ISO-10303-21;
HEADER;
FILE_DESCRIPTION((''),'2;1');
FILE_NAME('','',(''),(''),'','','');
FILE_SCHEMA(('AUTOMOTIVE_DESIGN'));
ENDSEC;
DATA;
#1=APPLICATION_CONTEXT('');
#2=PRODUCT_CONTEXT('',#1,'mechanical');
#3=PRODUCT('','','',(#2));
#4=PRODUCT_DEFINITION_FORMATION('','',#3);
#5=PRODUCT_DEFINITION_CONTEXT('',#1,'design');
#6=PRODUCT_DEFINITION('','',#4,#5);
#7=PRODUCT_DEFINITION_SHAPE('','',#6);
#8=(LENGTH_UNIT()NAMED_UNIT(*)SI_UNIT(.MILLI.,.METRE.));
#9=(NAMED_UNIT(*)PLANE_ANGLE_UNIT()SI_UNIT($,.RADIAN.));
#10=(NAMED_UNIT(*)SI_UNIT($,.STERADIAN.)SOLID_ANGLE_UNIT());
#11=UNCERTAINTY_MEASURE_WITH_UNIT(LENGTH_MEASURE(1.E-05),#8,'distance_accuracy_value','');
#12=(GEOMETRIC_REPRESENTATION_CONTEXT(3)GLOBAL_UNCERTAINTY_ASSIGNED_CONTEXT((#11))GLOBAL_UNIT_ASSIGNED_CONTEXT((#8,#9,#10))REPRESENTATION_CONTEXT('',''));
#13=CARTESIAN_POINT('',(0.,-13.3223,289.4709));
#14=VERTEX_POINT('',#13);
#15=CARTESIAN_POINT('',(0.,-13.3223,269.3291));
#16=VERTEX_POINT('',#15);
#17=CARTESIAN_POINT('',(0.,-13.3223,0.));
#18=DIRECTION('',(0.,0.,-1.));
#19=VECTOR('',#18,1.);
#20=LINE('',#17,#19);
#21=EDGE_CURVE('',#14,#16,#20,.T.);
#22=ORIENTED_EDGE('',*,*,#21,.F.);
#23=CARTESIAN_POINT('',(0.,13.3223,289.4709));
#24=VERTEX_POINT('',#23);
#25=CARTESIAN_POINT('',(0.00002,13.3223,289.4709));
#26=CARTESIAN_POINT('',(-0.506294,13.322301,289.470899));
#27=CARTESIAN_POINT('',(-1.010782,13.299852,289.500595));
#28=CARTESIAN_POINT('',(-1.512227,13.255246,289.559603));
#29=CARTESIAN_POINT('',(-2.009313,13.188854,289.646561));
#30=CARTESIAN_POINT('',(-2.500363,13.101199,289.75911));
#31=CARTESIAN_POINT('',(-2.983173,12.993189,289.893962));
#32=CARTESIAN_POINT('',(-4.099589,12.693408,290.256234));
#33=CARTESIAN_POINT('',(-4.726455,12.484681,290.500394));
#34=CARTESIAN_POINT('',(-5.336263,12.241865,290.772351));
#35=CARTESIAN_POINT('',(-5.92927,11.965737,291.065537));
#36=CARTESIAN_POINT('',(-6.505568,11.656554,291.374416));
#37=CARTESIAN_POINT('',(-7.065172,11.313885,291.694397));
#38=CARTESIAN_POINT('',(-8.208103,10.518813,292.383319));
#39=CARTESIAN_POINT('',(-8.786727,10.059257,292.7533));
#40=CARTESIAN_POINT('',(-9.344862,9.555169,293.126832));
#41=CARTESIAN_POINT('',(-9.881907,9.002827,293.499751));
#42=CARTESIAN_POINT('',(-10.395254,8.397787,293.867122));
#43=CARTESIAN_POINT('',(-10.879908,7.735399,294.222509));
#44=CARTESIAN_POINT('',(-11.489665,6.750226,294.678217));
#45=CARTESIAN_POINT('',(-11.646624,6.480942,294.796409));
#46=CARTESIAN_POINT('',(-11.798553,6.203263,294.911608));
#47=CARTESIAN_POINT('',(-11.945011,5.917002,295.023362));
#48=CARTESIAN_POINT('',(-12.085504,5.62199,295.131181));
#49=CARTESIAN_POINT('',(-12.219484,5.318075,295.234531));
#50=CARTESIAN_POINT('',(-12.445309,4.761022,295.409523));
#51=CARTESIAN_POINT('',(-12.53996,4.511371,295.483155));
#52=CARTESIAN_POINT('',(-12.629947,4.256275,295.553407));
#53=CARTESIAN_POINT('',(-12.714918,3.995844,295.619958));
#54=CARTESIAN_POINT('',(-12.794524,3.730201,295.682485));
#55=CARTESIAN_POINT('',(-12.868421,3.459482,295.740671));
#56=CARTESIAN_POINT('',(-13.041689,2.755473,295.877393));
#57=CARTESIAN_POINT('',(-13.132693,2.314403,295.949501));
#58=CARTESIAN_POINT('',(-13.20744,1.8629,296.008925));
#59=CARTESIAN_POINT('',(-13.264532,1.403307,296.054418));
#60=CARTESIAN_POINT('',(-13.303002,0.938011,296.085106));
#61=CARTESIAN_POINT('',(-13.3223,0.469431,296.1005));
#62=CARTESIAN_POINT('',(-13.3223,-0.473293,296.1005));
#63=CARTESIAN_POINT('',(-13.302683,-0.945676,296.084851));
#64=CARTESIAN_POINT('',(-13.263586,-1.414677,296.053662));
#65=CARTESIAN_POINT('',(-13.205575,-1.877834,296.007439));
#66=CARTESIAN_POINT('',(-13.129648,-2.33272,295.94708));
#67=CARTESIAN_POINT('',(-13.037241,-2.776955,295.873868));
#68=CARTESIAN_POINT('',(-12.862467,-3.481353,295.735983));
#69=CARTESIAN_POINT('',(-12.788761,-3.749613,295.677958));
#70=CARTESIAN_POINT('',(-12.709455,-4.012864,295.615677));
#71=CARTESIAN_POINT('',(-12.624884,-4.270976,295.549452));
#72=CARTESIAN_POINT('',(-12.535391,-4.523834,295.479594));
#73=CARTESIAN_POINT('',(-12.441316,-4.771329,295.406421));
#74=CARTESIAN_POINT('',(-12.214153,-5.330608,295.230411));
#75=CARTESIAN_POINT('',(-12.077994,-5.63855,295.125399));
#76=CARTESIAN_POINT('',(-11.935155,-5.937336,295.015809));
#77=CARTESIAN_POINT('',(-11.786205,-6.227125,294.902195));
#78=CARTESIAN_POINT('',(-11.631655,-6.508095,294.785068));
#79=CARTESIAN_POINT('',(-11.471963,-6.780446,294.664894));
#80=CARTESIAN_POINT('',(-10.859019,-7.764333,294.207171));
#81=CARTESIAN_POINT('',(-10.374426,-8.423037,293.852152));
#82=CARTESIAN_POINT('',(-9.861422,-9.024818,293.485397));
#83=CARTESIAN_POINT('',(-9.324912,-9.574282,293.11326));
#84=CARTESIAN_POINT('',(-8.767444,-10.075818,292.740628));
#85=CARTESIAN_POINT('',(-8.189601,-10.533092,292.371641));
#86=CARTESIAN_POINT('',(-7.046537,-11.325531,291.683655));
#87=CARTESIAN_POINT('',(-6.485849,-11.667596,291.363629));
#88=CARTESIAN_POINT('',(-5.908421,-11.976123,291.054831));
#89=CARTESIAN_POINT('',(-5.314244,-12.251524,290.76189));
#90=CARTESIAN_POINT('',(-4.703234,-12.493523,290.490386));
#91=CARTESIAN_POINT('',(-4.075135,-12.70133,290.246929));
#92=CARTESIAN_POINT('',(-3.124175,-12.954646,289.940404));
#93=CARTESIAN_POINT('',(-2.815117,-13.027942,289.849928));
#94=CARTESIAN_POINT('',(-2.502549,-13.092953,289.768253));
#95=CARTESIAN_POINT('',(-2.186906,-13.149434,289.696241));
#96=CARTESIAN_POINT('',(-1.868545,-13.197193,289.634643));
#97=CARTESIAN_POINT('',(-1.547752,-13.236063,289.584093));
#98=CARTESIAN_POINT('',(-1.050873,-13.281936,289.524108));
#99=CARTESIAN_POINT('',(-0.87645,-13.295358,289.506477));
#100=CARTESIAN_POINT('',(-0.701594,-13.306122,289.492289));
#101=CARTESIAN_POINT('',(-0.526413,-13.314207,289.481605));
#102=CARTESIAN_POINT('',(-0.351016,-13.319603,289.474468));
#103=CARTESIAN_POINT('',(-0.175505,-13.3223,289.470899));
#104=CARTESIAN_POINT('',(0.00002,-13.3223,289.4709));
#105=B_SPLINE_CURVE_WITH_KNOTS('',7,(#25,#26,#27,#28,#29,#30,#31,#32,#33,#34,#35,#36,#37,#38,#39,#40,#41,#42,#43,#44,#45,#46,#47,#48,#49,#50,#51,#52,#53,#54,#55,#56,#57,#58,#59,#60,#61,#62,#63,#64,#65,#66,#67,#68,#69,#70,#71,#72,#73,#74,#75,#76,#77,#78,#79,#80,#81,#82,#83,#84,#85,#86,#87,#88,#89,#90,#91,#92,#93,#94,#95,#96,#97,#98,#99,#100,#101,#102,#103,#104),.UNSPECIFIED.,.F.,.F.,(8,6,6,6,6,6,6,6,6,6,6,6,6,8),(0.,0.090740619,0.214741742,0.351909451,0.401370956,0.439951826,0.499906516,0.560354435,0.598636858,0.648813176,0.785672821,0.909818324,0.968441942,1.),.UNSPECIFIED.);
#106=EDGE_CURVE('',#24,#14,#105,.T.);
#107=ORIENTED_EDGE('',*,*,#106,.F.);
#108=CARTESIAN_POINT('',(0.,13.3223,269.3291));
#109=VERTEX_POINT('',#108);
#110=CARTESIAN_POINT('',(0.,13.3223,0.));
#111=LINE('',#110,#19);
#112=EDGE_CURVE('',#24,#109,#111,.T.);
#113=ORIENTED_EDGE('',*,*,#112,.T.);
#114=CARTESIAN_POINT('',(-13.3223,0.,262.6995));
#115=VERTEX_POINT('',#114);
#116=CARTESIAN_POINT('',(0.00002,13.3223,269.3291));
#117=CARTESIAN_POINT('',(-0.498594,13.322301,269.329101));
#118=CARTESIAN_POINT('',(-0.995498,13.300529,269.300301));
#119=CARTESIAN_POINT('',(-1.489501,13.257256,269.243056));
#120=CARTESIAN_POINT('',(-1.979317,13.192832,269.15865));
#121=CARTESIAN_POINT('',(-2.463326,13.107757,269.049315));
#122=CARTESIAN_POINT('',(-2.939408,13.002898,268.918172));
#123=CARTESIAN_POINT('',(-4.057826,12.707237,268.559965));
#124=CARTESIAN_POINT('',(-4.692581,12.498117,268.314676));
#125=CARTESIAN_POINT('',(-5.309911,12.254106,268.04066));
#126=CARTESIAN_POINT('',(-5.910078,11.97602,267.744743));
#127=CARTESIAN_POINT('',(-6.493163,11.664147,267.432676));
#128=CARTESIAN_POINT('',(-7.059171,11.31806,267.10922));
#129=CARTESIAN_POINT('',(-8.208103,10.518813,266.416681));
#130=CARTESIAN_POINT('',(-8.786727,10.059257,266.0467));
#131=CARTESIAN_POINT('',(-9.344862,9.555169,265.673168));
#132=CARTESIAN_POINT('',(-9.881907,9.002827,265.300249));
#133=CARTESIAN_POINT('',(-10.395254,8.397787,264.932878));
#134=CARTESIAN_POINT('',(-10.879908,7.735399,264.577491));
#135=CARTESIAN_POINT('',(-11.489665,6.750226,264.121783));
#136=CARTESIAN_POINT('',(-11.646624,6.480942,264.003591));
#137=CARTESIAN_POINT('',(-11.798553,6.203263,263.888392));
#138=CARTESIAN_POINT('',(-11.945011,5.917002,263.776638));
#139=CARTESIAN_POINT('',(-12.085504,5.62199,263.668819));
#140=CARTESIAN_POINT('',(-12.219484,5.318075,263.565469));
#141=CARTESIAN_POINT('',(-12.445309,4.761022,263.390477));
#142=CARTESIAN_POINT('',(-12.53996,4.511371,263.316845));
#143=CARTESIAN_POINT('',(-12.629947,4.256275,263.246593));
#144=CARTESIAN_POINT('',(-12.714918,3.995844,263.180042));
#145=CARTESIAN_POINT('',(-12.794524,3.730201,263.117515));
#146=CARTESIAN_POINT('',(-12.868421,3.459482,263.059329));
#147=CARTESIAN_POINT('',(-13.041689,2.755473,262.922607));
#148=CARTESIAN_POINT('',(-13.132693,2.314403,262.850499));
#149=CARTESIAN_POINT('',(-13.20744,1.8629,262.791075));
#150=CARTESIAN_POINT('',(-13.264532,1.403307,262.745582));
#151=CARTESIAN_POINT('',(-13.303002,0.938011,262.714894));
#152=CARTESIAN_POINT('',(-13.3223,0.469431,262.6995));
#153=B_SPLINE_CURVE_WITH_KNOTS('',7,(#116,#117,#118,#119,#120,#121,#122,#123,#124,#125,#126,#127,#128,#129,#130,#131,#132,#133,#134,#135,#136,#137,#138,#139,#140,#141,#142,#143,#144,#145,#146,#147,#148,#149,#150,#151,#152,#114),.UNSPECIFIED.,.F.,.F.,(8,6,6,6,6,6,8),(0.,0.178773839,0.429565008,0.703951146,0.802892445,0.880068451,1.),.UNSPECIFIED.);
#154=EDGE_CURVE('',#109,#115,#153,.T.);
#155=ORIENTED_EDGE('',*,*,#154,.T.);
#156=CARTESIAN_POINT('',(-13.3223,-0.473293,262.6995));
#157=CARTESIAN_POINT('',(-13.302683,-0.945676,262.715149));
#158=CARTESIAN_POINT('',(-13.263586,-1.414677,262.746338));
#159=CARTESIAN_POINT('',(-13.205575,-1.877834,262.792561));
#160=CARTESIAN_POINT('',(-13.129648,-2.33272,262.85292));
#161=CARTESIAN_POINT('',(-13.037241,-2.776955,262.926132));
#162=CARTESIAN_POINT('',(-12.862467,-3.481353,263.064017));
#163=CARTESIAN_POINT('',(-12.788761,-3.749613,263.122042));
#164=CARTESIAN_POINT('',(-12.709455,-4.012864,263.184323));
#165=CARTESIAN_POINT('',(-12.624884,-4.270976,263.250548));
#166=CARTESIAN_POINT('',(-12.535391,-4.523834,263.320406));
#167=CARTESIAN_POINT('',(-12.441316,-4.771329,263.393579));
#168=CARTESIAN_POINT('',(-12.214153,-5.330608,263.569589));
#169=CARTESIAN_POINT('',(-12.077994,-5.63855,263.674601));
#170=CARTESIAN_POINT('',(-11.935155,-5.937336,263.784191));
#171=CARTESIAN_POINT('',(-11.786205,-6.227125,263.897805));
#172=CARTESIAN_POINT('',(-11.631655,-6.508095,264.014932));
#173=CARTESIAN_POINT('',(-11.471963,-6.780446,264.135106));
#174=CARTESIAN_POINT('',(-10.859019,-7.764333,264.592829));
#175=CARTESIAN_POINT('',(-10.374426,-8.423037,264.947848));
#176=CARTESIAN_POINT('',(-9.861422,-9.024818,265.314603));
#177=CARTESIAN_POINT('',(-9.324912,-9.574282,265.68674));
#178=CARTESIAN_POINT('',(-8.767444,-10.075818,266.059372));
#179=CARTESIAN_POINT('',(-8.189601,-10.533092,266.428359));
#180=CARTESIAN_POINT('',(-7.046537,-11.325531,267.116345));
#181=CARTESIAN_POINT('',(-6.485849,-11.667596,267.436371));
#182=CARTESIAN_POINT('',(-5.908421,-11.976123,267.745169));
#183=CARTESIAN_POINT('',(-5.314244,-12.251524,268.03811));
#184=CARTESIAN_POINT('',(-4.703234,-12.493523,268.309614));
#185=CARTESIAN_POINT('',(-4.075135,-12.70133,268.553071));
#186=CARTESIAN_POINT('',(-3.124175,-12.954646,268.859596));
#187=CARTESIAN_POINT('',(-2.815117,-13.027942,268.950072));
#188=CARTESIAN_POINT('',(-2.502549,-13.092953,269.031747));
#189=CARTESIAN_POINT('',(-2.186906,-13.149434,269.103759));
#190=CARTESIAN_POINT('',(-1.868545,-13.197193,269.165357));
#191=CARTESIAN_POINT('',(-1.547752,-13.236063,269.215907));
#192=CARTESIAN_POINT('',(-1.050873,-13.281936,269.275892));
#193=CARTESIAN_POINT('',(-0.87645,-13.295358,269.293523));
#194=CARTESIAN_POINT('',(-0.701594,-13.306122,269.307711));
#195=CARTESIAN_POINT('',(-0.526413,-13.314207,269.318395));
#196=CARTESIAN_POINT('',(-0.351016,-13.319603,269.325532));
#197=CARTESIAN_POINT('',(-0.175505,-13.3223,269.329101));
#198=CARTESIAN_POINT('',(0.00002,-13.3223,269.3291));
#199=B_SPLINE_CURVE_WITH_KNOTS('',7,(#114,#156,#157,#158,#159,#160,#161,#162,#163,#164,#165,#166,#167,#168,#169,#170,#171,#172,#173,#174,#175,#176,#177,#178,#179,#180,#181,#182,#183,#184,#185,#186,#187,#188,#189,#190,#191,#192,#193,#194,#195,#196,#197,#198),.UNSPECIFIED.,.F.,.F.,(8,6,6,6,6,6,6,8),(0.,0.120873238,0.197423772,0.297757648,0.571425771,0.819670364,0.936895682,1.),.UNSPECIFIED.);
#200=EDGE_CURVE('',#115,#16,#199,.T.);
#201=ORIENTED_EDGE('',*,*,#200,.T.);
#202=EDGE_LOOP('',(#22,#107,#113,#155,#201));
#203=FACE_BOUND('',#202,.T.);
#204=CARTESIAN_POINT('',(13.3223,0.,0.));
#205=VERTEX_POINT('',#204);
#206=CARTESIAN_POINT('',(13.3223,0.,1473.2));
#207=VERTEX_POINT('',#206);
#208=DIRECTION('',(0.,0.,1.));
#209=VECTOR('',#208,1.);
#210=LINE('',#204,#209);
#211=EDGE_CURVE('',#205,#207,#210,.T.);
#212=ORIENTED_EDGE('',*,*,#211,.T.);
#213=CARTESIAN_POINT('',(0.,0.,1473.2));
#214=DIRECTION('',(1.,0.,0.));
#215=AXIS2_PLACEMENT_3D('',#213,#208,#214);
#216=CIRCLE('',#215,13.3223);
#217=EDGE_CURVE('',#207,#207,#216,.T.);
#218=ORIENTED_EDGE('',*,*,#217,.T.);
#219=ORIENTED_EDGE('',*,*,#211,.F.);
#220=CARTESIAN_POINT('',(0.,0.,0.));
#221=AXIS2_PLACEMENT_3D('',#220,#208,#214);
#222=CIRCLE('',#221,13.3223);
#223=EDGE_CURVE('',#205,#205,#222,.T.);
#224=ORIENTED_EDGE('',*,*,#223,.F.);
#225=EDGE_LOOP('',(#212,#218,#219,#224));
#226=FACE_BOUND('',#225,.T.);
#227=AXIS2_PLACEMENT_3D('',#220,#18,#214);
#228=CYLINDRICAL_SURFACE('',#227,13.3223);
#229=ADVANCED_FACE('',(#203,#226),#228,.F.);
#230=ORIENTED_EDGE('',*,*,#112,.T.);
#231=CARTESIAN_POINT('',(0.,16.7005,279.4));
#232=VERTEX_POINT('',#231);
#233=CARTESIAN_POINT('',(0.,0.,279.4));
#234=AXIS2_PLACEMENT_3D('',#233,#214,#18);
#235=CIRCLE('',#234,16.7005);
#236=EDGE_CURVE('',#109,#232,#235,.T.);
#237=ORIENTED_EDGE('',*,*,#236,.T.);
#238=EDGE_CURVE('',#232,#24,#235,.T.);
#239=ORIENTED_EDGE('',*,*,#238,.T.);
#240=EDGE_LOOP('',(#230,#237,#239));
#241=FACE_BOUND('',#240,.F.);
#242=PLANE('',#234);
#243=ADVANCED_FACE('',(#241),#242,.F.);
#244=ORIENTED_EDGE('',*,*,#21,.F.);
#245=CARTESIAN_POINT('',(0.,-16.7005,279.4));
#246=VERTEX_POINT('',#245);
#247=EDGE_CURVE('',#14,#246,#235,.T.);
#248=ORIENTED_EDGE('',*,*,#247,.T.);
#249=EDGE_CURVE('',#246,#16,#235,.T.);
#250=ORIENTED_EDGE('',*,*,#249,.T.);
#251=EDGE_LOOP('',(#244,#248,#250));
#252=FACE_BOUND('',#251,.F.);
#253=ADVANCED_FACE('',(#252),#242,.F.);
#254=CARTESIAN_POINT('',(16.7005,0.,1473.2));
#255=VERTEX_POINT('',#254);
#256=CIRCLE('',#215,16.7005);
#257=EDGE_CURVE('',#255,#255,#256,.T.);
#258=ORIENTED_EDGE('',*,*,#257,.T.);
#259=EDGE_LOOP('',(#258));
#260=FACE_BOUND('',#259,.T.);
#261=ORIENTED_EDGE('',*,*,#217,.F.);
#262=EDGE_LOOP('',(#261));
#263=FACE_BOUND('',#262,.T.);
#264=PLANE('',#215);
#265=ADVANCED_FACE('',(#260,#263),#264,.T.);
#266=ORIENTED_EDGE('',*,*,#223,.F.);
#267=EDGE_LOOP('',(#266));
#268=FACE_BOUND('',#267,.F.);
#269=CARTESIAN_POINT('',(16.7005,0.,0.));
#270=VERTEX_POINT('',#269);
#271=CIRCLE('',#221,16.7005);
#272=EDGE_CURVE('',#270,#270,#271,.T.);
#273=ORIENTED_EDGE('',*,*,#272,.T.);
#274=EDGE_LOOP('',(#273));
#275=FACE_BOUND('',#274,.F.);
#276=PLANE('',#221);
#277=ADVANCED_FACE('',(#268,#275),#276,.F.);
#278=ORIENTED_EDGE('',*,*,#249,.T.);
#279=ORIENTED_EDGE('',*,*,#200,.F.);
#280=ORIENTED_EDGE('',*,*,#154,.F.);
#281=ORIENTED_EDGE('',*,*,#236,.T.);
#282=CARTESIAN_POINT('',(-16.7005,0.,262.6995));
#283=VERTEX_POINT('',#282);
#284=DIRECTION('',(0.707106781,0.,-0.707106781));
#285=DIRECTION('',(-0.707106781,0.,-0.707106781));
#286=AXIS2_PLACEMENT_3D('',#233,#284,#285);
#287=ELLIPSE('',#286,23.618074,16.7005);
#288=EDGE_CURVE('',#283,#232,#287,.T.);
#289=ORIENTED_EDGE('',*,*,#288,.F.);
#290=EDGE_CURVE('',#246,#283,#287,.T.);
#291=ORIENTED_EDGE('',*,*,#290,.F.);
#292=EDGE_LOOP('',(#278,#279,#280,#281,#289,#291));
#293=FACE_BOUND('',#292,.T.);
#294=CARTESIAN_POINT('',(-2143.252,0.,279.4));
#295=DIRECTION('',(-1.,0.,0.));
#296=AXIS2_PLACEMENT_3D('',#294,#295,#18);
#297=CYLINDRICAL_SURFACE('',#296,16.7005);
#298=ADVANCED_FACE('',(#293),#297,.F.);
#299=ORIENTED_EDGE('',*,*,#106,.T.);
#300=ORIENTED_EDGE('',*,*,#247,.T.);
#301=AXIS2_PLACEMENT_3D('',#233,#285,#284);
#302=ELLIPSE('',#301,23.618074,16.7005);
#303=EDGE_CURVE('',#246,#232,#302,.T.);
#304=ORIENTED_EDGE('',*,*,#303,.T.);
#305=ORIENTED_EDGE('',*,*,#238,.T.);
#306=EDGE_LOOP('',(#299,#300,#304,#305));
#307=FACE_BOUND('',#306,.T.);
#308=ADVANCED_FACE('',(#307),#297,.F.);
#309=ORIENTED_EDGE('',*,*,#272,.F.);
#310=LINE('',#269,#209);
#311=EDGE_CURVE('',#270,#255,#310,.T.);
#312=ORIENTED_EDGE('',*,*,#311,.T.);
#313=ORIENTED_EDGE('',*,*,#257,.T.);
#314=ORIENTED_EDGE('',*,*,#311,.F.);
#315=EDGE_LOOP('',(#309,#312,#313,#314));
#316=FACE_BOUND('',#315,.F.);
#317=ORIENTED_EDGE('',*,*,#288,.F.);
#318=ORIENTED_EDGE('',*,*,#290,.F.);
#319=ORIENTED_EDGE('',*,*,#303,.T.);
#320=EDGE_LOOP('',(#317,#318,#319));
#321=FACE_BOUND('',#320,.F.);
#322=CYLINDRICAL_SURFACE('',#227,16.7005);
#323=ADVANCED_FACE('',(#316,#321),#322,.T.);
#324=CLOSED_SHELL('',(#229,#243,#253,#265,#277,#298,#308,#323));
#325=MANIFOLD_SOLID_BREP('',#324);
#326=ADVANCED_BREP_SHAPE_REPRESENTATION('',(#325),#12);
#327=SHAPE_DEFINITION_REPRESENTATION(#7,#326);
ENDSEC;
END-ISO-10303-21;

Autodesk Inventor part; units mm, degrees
ref_plane "Start plane" through (0, 0, 0) normal (0, 0, 1) x (1, 0, 0)
ref_plane "End plane" through (0, 0, 1473.2) normal (0, 0, 1) x (1, 0, 0)
sketch "Sketch" plane through (0, 0, 0) normal (0, 0, 1) x (1, 0, 0)
  circle A0 centre (0, 0) radius 13.3223
  circle A1 centre (0, 0) radius 16.7005
  dimension "d0" = 33.401
  dimension "d1" = 3.3782
extrude "Body" add sketch "Sketch" along normal up to surface (1473.2 mm away) from surface at 0
sketch "Sketch3" plane through (0, 0, 0) normal (0, 0, 1) x (1, 0, 0)
  line L0 (0, 0) -> (10, 0)
ref_plane "Work Plane3" through (0, 0, 0) normal (0, -1, 0) x (1, 0, 0)
sketch "Sketch4" plane through (0, 0, 0) normal (0, -1, 0) x (1, 0, 0)
  line L0 (-2, 0) -> (12, 0)
  line L1 (-2, 1473.2) -> (12, 1473.2)
  dimension "d7" = 1473.2
ref_plane "Work Plane4" through (-2143.252, 0, 279.4) normal (1, 0, 0) x (0, 0, -1)
ref_plane "Work Plane5" through (0, 0, 279.4) normal (1, 0, 0) x (0, 0, -1)
ref_plane "Work Plane6" through (-1071.626, 0, 279.4) normal (1, 0, 0) x (0, 0, -1)
sketch "Sketch5" plane through (-1071.626, 0, 279.4) normal (1, 0, 0) x (0, 0, -1)
  circle A0 centre (0, 0) radius 16.7005
  circle A1 centre (0, 0) radius 13.3223
extrude "Extrusion2" cut sketch "Sketch5" along normal up to surface (2143.252 mm away) from surface at -1071.626 contours A0 | A1
equation "\"d0\" = G_H"
equation "\"d1\" = G_T"
equation "\"d2\" = G_L"
equation "\"G_H\" = 33.401"
equation "\"G_T\" = 3.3782"
equation "\"G_L\" = d7"
equation "\"G_OFFSET_START\" = 0"
equation "\"G_OFFSET_END\" = 0"
equation "\"d5\" = G_OFFSET_END + B_L"
equation "\"B_L\" = 1473.2"
properties part number "ANSI - 1 x 0.133 - 58" material "Aluminum 6061"
